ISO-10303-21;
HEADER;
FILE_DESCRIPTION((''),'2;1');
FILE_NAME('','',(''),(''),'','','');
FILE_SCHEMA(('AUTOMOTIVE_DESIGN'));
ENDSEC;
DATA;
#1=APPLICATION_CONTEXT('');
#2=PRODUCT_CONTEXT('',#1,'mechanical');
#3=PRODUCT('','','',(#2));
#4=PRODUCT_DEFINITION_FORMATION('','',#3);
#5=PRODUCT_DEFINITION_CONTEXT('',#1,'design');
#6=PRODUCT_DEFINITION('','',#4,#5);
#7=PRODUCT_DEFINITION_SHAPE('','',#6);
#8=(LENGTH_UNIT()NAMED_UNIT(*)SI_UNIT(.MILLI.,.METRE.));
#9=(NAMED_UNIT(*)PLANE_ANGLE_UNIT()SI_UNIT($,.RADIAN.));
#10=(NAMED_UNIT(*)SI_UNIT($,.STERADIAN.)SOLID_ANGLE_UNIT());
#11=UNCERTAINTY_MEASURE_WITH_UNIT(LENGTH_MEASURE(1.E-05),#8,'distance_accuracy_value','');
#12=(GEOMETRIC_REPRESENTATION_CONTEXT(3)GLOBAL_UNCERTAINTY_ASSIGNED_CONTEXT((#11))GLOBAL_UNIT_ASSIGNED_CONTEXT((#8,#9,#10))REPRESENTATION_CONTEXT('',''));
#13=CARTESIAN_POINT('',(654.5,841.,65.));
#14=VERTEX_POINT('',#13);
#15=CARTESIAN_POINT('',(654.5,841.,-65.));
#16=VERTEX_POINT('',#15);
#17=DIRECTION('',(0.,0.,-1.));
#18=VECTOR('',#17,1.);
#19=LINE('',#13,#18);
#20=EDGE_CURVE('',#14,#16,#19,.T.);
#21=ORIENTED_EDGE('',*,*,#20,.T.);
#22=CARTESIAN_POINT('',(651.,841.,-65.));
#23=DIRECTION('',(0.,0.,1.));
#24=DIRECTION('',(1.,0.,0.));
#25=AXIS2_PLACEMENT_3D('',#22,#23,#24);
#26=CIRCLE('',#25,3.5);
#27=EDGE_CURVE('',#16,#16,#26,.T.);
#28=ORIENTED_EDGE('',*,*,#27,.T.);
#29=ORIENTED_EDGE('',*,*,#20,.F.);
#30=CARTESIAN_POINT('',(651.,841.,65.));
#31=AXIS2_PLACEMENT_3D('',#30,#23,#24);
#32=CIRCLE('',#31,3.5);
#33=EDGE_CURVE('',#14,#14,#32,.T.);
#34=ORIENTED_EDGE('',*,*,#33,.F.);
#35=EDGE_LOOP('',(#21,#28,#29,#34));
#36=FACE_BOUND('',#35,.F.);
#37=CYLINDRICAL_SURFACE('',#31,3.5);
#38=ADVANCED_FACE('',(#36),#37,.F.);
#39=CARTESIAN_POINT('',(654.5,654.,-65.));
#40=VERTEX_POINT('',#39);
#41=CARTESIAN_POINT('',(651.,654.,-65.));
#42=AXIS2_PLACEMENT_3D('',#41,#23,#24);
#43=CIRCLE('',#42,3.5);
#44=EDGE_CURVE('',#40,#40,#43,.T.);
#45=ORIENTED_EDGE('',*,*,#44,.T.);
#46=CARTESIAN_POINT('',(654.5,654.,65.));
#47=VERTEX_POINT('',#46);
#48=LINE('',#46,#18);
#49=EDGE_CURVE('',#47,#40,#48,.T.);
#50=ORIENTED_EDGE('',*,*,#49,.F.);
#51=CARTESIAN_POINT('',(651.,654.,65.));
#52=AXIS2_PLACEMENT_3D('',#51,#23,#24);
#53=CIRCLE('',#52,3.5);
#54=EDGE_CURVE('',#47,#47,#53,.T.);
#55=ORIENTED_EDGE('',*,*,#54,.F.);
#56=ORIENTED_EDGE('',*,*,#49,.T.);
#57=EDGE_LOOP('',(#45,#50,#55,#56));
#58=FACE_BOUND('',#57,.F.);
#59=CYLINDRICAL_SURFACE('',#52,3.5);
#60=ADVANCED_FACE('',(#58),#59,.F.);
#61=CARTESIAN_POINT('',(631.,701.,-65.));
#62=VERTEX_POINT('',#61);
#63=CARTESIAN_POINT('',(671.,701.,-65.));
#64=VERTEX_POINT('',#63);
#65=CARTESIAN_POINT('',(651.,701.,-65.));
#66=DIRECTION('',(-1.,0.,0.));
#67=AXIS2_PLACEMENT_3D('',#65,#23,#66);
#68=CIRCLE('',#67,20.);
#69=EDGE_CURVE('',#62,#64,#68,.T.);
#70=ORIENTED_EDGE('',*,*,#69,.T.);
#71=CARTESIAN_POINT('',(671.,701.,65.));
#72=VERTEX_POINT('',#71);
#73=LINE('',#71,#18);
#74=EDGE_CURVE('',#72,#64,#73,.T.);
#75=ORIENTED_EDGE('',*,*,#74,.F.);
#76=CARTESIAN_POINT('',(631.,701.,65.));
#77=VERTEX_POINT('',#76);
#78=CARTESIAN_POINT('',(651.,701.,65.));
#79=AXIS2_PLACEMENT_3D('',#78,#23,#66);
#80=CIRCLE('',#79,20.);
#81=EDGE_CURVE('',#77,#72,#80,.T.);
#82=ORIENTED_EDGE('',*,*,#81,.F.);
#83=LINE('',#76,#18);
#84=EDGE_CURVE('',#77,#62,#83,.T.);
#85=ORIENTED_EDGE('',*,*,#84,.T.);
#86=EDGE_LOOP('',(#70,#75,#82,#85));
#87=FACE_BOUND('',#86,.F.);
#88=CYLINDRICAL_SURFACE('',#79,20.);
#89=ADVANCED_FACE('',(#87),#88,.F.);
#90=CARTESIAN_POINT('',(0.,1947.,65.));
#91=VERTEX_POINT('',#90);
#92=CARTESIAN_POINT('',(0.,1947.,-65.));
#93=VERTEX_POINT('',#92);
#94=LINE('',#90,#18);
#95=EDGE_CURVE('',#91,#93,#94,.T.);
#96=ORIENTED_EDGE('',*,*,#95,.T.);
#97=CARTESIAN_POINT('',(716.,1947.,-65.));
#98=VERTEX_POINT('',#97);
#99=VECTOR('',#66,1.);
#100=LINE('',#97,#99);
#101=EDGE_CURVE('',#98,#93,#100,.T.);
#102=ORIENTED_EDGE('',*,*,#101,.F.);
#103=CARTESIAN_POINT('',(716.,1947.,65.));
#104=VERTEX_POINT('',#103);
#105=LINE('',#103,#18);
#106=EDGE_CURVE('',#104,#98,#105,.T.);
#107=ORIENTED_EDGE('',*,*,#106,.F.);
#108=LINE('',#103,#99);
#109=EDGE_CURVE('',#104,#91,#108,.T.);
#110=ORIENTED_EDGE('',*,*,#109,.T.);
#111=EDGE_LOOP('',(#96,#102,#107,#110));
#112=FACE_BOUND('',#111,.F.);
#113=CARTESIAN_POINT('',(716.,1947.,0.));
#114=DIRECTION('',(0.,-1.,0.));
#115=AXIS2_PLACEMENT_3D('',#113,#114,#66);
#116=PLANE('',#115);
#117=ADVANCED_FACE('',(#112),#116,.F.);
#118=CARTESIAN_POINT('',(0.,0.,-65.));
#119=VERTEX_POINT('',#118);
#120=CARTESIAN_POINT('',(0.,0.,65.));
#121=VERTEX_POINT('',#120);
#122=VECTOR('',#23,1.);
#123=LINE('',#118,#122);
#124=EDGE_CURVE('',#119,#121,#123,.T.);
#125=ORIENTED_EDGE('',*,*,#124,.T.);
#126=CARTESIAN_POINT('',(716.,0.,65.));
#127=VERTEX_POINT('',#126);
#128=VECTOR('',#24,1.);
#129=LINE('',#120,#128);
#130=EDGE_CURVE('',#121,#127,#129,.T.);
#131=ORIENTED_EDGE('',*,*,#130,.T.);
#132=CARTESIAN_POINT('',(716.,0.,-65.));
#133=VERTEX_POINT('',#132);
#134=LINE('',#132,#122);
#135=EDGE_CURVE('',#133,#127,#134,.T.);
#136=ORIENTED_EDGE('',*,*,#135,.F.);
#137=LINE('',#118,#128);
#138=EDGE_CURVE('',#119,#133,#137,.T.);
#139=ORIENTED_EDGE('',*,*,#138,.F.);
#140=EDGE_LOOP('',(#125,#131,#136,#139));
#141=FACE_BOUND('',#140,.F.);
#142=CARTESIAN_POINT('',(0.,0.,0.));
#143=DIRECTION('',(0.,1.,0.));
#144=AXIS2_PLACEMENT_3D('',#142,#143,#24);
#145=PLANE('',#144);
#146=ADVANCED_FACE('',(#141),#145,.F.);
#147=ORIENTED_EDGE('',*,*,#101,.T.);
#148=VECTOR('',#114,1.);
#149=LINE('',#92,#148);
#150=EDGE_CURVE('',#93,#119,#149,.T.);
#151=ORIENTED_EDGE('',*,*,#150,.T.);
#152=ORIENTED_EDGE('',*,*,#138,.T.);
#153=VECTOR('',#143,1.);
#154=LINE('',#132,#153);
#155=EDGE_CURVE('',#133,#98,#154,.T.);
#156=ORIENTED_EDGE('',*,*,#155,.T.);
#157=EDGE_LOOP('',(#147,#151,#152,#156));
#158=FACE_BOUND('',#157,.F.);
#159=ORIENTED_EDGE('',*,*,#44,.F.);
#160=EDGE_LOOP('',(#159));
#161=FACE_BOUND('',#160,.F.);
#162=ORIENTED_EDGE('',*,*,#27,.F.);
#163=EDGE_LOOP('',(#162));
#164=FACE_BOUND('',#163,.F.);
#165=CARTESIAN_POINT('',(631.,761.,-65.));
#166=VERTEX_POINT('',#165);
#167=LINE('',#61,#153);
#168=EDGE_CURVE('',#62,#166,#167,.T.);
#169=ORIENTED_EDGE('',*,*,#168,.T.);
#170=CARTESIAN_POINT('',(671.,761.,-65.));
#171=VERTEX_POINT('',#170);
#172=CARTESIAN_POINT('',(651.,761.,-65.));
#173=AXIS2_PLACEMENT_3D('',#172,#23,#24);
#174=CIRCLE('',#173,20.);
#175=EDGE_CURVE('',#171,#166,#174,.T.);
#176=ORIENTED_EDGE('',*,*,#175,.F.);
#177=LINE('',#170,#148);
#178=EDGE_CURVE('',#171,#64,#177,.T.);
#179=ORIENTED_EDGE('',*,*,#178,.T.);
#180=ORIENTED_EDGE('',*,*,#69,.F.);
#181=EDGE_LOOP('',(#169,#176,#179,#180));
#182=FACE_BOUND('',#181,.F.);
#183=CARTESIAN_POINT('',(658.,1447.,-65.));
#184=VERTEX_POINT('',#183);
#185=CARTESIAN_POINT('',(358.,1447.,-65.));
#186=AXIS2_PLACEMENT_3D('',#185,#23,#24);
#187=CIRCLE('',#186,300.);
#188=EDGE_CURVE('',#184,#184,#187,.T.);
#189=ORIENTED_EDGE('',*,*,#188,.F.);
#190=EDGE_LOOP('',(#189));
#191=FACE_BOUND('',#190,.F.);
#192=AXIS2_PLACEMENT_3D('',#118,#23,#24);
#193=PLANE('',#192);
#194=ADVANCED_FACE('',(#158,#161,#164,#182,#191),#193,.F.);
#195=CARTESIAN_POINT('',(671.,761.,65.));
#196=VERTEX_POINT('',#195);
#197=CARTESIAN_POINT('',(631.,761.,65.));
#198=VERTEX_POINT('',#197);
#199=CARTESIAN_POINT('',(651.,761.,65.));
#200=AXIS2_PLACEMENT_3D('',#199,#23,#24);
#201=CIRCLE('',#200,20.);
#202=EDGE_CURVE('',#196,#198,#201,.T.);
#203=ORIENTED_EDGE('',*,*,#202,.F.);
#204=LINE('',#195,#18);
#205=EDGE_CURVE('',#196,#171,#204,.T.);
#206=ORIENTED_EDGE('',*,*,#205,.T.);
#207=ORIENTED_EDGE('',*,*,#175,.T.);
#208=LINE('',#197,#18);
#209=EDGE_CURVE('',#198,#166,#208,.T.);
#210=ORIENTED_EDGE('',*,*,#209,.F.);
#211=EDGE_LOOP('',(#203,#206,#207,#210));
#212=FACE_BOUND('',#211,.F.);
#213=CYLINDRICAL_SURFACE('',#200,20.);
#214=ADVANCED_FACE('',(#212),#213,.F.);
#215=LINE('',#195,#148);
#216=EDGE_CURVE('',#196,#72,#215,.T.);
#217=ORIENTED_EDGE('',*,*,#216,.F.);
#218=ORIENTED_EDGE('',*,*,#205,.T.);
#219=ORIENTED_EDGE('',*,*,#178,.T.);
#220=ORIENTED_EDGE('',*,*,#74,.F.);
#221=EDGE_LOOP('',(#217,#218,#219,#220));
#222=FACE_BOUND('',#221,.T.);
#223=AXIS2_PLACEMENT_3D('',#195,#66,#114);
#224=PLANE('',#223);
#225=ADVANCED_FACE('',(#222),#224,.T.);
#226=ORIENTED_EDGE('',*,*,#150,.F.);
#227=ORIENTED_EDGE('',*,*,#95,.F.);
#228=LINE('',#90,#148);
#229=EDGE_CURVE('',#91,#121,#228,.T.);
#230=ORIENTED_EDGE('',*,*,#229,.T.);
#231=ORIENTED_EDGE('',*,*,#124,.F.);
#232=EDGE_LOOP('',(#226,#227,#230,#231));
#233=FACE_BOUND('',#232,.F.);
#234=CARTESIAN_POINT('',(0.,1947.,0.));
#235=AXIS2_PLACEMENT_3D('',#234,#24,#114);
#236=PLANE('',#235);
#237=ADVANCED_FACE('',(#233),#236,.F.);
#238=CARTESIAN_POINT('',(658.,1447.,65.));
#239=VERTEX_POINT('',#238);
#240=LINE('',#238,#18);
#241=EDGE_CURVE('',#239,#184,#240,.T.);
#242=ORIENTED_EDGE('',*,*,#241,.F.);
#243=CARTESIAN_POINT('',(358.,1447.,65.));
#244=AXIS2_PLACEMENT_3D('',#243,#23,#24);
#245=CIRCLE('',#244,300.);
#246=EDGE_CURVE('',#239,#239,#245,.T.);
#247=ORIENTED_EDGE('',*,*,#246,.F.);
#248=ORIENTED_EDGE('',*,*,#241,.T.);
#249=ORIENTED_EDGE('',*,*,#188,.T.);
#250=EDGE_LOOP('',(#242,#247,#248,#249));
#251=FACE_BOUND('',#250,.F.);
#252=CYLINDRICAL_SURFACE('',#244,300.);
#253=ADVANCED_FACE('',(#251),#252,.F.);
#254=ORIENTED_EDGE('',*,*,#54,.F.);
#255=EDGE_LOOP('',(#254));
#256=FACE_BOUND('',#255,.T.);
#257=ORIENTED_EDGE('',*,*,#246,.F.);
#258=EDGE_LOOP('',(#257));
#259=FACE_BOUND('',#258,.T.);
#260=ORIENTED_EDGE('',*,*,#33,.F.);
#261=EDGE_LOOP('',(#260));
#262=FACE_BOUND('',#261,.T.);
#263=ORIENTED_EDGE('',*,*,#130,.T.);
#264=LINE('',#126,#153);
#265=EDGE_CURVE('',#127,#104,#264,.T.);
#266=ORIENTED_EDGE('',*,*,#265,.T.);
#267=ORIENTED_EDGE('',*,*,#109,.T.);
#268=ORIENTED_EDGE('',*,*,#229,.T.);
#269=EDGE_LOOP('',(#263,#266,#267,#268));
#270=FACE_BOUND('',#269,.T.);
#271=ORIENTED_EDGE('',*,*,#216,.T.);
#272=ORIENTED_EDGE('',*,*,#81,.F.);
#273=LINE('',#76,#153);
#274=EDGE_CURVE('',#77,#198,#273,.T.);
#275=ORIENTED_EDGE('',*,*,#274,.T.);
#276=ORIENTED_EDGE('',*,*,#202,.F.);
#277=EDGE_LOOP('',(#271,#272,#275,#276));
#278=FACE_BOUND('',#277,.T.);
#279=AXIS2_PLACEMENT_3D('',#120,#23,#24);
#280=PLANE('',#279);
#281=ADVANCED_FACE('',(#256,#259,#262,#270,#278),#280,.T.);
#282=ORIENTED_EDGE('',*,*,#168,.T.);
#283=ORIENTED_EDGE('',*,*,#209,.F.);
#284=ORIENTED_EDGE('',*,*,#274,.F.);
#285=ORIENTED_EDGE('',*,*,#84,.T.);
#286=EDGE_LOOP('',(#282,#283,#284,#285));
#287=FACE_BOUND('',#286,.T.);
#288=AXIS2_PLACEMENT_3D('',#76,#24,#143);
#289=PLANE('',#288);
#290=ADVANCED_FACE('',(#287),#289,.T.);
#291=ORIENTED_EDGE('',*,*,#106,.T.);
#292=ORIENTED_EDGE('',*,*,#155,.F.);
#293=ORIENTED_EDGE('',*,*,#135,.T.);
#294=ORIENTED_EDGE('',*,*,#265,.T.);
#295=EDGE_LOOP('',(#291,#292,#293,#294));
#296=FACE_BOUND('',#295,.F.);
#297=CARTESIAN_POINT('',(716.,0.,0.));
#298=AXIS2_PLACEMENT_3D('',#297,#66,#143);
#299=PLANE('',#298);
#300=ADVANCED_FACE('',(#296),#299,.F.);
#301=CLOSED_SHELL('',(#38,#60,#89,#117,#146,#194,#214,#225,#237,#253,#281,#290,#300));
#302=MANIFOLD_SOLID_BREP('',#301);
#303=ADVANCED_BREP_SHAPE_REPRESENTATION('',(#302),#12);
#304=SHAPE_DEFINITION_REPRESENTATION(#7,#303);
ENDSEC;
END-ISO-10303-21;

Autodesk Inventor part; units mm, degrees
ref_plane "YZ Plane" through (0, 0, 0) normal (1, 0, 0) x (0, 1, 0)
ref_plane "XZ Plane" through (0, 0, 0) normal (0, 1, 0) x (-1, 0, 0)
ref_plane "XY Plane" through (0, 0, 0) normal (0, 0, 1) x (1, 0, 0)
sketch "Sketch6" plane through (0, 0, 0) normal (0, 0, 1) x (1, 0, 0)
  line L0 (0, 0) -> (716, 0)
  line L1 (716, 0) -> (716, 1947)
  line L2 (716, 1947) -> (0, 1947)
  line L3 (0, 1947) -> (0, 0)
  dimension "d0" = 716
  dimension "d1" = 1947
extrude "Extrusion1" add sketch "Sketch6" along normal mid plane 130
sketch "Sketch7" plane through (0, 0, 65) normal (0, 0, 1) x (1, 0, 0)
  circle A0 centre (358, 1447) radius 300
  line L0 (716, 1947) -> (0, 1947) projected
  point P0 (0, 0)
  point P1 (358, 1947)
  dimension "d4" = 600
  dimension "d5" = 500
extrude "Extrusion2" cut sketch "Sketch7" against normal up to surface (130 mm away)
sketch "Sketch9" plane through (0, 0, 65) normal (0, 0, 1) x (1, 0, 0)
  line L0 (651, 761) -> (651, 701) construction
  line L1 (671, 761) -> (671, 701)
  line L2 (631, 701) -> (631, 761)
  arc A0 (671, 761) -> (631, 761) centre (651, 761) ccw
  arc A1 (631, 701) -> (671, 701) centre (651, 701) ccw
  line L3 (0, 0) -> (716, 0) projected
  line L4 (0, 1947) -> (0, 0) projected
  circle A2 centre (651, 841) radius 3.5
  circle A3 centre (651, 654) radius 3.5
  line L5 (716, 0) -> (716, 1947) projected
  point P0 (651, 731)
  point P1 (651, 681)
  point P2 (651, 781)
  dimension "d8" = 40
  dimension "d9" = 681
  dimension "d10" = 100
  dimension "d12" = 7
  dimension "d13" = 60
  dimension "d14" = 7
  dimension "d15" = 187
  dimension "d18" = 65
extrude "Extrusion3" cut sketch "Sketch9" against normal up to surface (130 mm away)
equation "\"d0\" = SchuBrei"
equation "\"d1\" = SchuHoeh"
equation "\"d2\" = SchuDick"
equation "\"SchuDick\" = 130"
equation "\"SchuBrei\" = 716"
equation "\"SchuHoeh\" = 1947"
properties part number "Schutz"
